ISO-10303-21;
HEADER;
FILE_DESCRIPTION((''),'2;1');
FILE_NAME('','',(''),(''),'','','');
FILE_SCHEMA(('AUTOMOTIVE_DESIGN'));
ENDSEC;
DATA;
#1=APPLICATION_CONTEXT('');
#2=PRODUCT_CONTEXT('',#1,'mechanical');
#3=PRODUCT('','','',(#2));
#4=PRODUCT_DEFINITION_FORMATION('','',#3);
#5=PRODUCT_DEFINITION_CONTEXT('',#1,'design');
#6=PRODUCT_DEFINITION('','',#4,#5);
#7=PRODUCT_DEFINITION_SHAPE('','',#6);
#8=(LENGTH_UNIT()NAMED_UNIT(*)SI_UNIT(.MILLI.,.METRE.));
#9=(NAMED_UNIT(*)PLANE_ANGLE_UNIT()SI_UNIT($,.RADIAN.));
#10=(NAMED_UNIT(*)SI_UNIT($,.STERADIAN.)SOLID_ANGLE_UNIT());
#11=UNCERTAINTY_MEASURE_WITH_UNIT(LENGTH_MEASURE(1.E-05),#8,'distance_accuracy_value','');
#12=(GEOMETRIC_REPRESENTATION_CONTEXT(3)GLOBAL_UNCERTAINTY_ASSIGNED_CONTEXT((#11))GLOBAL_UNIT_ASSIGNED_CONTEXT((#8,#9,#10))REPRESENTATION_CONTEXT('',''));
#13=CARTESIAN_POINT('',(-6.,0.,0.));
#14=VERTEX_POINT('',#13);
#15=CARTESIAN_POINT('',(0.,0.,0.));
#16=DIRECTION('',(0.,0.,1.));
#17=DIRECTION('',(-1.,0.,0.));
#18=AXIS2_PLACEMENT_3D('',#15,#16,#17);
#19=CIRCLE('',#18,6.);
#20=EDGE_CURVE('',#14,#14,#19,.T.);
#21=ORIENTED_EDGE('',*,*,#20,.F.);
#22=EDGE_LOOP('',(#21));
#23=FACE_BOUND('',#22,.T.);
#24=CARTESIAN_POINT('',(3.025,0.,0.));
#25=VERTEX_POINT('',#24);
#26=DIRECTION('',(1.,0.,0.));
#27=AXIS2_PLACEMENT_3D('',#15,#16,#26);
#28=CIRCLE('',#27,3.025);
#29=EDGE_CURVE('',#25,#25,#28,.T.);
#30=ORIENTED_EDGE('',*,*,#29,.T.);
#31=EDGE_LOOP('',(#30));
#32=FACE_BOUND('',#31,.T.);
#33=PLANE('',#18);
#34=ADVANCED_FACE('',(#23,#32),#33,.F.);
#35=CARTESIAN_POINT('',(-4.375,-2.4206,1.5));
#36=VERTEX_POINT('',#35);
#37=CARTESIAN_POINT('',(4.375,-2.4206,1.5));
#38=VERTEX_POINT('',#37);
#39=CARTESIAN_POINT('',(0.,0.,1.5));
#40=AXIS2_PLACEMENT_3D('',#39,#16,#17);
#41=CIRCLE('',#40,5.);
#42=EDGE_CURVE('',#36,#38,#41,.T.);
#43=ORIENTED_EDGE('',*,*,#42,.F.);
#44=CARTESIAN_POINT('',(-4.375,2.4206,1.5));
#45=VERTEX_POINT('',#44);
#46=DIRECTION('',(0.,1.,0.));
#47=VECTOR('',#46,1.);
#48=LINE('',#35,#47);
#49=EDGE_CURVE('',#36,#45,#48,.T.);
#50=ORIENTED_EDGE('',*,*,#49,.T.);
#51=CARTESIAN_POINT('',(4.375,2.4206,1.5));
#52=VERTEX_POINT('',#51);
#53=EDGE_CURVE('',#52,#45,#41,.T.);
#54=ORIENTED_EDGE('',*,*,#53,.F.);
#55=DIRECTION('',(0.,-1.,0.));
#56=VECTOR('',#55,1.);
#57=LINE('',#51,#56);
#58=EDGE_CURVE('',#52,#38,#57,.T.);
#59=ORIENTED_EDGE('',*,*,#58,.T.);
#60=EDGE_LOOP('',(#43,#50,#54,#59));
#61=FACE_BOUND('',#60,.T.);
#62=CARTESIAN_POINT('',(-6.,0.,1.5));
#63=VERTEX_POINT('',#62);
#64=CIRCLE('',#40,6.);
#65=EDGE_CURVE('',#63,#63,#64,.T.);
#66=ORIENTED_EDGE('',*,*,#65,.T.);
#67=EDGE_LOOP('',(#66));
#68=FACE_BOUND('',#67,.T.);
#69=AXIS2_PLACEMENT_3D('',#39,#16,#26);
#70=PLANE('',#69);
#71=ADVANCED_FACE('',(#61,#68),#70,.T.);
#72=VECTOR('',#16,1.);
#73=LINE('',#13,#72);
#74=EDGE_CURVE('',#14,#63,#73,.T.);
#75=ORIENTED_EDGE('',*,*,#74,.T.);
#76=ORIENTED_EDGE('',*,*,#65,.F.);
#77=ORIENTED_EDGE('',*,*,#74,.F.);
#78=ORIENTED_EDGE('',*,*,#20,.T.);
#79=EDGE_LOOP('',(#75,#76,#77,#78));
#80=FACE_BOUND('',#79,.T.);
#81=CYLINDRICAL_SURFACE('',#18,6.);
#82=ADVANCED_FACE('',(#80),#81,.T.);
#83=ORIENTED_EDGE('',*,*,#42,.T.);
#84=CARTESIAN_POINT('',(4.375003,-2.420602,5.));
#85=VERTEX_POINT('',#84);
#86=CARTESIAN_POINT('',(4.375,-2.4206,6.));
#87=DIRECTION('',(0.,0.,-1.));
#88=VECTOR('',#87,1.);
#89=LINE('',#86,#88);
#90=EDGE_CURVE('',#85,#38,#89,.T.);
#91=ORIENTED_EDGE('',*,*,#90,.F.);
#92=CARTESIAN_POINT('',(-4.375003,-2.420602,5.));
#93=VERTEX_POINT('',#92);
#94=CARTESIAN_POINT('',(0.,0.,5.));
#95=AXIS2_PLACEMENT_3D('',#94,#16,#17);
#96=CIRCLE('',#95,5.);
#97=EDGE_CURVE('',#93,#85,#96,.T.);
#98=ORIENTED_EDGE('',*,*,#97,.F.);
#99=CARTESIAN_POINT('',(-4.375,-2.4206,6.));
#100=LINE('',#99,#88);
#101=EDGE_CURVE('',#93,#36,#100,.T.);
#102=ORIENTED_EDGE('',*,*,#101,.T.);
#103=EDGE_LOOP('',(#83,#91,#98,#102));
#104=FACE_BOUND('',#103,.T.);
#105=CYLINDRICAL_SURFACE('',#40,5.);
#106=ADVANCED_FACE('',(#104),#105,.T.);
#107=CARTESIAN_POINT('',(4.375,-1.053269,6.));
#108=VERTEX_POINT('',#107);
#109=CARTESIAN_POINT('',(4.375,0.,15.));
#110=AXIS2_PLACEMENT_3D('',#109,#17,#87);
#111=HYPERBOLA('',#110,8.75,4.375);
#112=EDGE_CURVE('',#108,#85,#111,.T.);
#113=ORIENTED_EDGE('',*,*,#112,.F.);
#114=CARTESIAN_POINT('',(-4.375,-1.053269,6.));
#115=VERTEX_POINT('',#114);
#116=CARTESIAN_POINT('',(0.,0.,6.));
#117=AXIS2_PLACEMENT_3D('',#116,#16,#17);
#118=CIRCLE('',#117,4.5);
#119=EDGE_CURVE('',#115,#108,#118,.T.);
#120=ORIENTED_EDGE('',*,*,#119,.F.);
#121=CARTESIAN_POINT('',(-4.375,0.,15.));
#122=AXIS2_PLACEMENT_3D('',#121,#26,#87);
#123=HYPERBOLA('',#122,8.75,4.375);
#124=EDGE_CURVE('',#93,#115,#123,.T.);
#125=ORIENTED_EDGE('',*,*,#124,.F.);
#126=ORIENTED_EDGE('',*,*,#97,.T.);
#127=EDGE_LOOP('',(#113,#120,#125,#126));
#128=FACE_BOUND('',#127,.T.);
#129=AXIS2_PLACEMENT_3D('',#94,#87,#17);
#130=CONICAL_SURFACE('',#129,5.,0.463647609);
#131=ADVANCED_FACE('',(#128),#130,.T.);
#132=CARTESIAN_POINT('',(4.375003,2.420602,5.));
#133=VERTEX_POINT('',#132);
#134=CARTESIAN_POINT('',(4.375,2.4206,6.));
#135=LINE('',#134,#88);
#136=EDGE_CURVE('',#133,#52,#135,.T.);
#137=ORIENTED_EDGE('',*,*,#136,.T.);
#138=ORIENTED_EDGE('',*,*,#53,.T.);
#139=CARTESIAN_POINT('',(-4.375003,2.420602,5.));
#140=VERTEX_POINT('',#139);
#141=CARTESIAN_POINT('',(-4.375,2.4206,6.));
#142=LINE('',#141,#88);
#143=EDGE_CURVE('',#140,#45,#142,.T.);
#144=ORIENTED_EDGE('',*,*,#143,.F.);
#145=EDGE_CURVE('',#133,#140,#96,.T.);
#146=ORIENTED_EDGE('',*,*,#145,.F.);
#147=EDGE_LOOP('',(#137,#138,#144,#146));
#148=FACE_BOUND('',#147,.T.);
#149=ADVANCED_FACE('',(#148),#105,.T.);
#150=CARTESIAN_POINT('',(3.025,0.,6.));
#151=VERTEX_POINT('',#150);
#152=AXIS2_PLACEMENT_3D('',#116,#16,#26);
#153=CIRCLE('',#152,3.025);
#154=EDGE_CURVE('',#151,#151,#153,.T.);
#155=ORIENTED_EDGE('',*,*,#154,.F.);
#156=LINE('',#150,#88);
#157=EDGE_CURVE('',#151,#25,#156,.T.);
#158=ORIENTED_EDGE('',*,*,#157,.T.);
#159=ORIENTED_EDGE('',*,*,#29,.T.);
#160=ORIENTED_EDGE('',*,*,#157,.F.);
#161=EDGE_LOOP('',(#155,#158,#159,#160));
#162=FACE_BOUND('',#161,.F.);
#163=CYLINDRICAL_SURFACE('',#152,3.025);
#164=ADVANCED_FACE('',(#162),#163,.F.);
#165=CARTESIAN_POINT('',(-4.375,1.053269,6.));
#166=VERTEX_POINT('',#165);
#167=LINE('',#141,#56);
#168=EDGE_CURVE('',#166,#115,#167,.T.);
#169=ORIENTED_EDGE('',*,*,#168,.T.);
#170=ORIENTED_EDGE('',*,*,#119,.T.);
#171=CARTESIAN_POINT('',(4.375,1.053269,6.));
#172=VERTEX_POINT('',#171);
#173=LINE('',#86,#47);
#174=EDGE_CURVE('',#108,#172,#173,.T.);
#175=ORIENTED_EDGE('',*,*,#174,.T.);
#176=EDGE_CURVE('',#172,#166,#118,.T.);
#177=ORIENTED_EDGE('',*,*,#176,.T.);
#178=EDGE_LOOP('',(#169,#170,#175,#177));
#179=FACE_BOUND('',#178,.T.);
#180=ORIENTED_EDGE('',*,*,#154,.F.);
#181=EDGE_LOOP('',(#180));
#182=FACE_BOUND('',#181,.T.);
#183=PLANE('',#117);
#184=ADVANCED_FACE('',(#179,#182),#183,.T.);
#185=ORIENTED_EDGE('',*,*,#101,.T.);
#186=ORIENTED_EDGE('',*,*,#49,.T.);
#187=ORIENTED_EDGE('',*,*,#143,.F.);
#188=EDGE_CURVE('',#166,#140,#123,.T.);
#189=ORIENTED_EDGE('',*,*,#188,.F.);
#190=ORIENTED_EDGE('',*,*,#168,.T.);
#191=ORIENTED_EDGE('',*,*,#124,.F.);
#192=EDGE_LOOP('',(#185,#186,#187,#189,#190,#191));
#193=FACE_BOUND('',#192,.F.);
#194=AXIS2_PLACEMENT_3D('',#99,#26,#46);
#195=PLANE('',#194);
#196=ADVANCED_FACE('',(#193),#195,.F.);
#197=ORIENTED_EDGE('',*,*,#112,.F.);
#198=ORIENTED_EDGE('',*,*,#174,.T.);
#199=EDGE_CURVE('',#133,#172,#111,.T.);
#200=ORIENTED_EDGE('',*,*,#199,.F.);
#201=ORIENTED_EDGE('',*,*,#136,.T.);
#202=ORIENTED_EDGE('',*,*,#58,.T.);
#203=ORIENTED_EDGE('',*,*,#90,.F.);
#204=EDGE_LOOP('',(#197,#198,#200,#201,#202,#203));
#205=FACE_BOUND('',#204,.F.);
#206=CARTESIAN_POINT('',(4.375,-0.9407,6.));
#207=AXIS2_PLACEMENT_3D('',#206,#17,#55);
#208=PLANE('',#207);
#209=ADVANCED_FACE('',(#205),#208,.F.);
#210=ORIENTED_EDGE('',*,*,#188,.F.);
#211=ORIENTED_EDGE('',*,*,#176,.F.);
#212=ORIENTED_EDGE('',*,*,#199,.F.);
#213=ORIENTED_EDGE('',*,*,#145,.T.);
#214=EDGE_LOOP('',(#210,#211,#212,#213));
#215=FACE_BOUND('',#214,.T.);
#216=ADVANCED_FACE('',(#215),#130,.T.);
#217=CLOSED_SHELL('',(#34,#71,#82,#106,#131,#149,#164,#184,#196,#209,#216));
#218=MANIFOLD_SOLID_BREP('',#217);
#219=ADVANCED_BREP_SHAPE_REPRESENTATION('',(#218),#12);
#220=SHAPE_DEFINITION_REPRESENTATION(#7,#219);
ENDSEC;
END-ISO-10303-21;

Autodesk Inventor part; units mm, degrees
ref_plane "YZ Plane" through (0, 0, 0) normal (1, 0, 0) x (0, 1, 0)
ref_plane "XZ Plane" through (0, 0, 0) normal (0, 1, 0) x (-1, 0, 0)
ref_plane "XY Plane" through (0, 0, 0) normal (0, 0, 1) x (1, 0, 0)
sketch "スケッチ1" plane through (0, 0, 0) normal (0, 1, 0) x (-1, 0, 0)
  line L0 (3, 0) -> (6, 0)
  line L1 (6, 0) -> (6, 1.5)
  line L2 (6, 1.5) -> (5, 1.5)
  line L3 (5, 1.5) -> (5, 5)
  line L4 (4.5, 6) -> (3, 6)
  line L5 (3, 6) -> (3, 0)
  line L6 (5, 5) -> (4.5, 6)
  line L7 (0, -1.2) -> (0, 7.2) projected
  point P0 (0, 0)
  point P1 (3, 6)
  dimension "d5" = 1.5
  dimension "d9" = 1
  dimension "d10" = 0.5
  dimension "d17" = 10
  dimension "d18" = 12
  dimension "d19" = 6
  dimension "d20" = 6
revolve "回転1" add sketch "スケッチ1" angle 360 about axis through (0, 0, -10) along (0, 0, 1)
sketch "スケッチ2" plane through (0, 0, 6) normal (0, 0, 1) x (1, 0, 0)
  line L0 (4.4, -2.3749) -> (-4.4, -2.3749)
  line L1 (-4.4, -2.3749) -> (-4.4, 2.3749)
  line L2 (-4.4, 2.3749) -> (4.4, 2.3749)
  line L3 (4.4, 2.3749) -> (4.4, -2.3749)
  line L4 (4.4, -2.3749) -> (-4.4, 2.3749) construction
  line L5 (-4.4, -2.3749) -> (4.4, 2.3749) construction
  circle A0 centre (0, 0) radius 5
  point P0 (0, 0)
  dimension "d12" = 10
  dimension "d11" = 8.8
extrude "押し出し1" cut sketch "スケッチ2" against normal up to surface (4.5 mm away) contours L3 A0 | A0 L1
sketch "스케치3" plane through (0, 0, 6) normal (0, 0, 1) x (1, 0, 0)
  circle A0 centre (0, 0) radius 3 projected
  line L0 (4.4, -0.9434) -> (4.4, 0.9434) projected
  arc A1 (4.4, 0.9434) -> (-4.4, 0.9434) centre (0, 0) ccw projected
  line L1 (-4.4, 0.9434) -> (-4.4, -0.9434) projected
  arc A2 (-4.4, -0.9434) -> (4.4, -0.9434) centre (0, 0) ccw projected
  circle A3 centre (0, 0) radius 3.025
  dimension "d21" = 6.05
extrude "돌출2" cut sketch "스케치3" against normal up to surface (6 mm away) contours A0 | A3
sketch "스케치4" plane through (0, 0, 6) normal (0, 0, 1) x (1, 0, 0)
  circle A0 centre (0, 0) radius 3.025 projected
  line L0 (4.4, -0.9434) -> (4.4, 0.9434) projected
  arc A1 (4.4, 0.9434) -> (-4.4, 0.9434) centre (0, 0) ccw projected
  line L1 (-4.4, 0.9434) -> (-4.4, -0.9434) projected
  arc A2 (-4.4, -0.9434) -> (4.4, -0.9434) centre (0, 0) ccw projected
  line L2 (4.4, 0.9434) -> (4.4, 2.3749) projected
  arc A3 (4.4, 2.3749) -> (-4.4, 2.3749) centre (0, 0) ccw projected
  line L3 (-4.4, 2.3749) -> (-4.4, 0.9434) projected
  arc A4 (4.4, 0.9434) -> (-4.4, 0.9434) centre (0, 0) ccw projected
  line L4 (4.4, -2.3749) -> (4.4, -0.9434) projected
  arc A5 (-4.4, -0.9434) -> (4.4, -0.9434) centre (0, 0) ccw projected
  line L5 (-4.4, -0.9434) -> (-4.4, -2.3749) projected
  arc A6 (-4.4, -2.3749) -> (4.4, -2.3749) centre (0, 0) ccw projected
  arc A7 (4.375, 0.9407) -> (-4.375, 0.9407) centre (0, 0) ccw
  line L6 (4.375, 2.4206) -> (4.375, -2.4206)
  arc A8 (-4.375, -0.9407) -> (4.375, -0.9407) centre (0, 0) ccw
  line L7 (-4.375, -2.4206) -> (-4.375, 2.4206)
  point P0 (-4.35, 2.4653)
  point P1 (-4.35, -2.4653)
  point P2 (4.35, 2.4653)
  point P3 (4.35, -2.4653)
  point P4 (4.4, -0.9434)
  point P5 (4.4, 0.9434)
  point P6 (-4.4, 0.9434)
  point P7 (-4.4, -0.9434)
  point P8 (-4.4, 0.9434)
  point P9 (4.4, 0.9434)
  point P10 (-4.4, -0.9434)
  point P11 (4.4, -0.9434)
  dimension "d27" = 0.025
extrude "돌출3" cut sketch "스케치4" against normal up to surface (4.5 mm away) contours A2 L6 A1 L0 | L4 A6 L6 A2 | A1 L6 A3 L2 | L7 A6 L5 A2 | A2 L1 A1 L7 | A1 L3 A3 L7
properties part number "LED-0606" material "アセタール樹脂、黒"
